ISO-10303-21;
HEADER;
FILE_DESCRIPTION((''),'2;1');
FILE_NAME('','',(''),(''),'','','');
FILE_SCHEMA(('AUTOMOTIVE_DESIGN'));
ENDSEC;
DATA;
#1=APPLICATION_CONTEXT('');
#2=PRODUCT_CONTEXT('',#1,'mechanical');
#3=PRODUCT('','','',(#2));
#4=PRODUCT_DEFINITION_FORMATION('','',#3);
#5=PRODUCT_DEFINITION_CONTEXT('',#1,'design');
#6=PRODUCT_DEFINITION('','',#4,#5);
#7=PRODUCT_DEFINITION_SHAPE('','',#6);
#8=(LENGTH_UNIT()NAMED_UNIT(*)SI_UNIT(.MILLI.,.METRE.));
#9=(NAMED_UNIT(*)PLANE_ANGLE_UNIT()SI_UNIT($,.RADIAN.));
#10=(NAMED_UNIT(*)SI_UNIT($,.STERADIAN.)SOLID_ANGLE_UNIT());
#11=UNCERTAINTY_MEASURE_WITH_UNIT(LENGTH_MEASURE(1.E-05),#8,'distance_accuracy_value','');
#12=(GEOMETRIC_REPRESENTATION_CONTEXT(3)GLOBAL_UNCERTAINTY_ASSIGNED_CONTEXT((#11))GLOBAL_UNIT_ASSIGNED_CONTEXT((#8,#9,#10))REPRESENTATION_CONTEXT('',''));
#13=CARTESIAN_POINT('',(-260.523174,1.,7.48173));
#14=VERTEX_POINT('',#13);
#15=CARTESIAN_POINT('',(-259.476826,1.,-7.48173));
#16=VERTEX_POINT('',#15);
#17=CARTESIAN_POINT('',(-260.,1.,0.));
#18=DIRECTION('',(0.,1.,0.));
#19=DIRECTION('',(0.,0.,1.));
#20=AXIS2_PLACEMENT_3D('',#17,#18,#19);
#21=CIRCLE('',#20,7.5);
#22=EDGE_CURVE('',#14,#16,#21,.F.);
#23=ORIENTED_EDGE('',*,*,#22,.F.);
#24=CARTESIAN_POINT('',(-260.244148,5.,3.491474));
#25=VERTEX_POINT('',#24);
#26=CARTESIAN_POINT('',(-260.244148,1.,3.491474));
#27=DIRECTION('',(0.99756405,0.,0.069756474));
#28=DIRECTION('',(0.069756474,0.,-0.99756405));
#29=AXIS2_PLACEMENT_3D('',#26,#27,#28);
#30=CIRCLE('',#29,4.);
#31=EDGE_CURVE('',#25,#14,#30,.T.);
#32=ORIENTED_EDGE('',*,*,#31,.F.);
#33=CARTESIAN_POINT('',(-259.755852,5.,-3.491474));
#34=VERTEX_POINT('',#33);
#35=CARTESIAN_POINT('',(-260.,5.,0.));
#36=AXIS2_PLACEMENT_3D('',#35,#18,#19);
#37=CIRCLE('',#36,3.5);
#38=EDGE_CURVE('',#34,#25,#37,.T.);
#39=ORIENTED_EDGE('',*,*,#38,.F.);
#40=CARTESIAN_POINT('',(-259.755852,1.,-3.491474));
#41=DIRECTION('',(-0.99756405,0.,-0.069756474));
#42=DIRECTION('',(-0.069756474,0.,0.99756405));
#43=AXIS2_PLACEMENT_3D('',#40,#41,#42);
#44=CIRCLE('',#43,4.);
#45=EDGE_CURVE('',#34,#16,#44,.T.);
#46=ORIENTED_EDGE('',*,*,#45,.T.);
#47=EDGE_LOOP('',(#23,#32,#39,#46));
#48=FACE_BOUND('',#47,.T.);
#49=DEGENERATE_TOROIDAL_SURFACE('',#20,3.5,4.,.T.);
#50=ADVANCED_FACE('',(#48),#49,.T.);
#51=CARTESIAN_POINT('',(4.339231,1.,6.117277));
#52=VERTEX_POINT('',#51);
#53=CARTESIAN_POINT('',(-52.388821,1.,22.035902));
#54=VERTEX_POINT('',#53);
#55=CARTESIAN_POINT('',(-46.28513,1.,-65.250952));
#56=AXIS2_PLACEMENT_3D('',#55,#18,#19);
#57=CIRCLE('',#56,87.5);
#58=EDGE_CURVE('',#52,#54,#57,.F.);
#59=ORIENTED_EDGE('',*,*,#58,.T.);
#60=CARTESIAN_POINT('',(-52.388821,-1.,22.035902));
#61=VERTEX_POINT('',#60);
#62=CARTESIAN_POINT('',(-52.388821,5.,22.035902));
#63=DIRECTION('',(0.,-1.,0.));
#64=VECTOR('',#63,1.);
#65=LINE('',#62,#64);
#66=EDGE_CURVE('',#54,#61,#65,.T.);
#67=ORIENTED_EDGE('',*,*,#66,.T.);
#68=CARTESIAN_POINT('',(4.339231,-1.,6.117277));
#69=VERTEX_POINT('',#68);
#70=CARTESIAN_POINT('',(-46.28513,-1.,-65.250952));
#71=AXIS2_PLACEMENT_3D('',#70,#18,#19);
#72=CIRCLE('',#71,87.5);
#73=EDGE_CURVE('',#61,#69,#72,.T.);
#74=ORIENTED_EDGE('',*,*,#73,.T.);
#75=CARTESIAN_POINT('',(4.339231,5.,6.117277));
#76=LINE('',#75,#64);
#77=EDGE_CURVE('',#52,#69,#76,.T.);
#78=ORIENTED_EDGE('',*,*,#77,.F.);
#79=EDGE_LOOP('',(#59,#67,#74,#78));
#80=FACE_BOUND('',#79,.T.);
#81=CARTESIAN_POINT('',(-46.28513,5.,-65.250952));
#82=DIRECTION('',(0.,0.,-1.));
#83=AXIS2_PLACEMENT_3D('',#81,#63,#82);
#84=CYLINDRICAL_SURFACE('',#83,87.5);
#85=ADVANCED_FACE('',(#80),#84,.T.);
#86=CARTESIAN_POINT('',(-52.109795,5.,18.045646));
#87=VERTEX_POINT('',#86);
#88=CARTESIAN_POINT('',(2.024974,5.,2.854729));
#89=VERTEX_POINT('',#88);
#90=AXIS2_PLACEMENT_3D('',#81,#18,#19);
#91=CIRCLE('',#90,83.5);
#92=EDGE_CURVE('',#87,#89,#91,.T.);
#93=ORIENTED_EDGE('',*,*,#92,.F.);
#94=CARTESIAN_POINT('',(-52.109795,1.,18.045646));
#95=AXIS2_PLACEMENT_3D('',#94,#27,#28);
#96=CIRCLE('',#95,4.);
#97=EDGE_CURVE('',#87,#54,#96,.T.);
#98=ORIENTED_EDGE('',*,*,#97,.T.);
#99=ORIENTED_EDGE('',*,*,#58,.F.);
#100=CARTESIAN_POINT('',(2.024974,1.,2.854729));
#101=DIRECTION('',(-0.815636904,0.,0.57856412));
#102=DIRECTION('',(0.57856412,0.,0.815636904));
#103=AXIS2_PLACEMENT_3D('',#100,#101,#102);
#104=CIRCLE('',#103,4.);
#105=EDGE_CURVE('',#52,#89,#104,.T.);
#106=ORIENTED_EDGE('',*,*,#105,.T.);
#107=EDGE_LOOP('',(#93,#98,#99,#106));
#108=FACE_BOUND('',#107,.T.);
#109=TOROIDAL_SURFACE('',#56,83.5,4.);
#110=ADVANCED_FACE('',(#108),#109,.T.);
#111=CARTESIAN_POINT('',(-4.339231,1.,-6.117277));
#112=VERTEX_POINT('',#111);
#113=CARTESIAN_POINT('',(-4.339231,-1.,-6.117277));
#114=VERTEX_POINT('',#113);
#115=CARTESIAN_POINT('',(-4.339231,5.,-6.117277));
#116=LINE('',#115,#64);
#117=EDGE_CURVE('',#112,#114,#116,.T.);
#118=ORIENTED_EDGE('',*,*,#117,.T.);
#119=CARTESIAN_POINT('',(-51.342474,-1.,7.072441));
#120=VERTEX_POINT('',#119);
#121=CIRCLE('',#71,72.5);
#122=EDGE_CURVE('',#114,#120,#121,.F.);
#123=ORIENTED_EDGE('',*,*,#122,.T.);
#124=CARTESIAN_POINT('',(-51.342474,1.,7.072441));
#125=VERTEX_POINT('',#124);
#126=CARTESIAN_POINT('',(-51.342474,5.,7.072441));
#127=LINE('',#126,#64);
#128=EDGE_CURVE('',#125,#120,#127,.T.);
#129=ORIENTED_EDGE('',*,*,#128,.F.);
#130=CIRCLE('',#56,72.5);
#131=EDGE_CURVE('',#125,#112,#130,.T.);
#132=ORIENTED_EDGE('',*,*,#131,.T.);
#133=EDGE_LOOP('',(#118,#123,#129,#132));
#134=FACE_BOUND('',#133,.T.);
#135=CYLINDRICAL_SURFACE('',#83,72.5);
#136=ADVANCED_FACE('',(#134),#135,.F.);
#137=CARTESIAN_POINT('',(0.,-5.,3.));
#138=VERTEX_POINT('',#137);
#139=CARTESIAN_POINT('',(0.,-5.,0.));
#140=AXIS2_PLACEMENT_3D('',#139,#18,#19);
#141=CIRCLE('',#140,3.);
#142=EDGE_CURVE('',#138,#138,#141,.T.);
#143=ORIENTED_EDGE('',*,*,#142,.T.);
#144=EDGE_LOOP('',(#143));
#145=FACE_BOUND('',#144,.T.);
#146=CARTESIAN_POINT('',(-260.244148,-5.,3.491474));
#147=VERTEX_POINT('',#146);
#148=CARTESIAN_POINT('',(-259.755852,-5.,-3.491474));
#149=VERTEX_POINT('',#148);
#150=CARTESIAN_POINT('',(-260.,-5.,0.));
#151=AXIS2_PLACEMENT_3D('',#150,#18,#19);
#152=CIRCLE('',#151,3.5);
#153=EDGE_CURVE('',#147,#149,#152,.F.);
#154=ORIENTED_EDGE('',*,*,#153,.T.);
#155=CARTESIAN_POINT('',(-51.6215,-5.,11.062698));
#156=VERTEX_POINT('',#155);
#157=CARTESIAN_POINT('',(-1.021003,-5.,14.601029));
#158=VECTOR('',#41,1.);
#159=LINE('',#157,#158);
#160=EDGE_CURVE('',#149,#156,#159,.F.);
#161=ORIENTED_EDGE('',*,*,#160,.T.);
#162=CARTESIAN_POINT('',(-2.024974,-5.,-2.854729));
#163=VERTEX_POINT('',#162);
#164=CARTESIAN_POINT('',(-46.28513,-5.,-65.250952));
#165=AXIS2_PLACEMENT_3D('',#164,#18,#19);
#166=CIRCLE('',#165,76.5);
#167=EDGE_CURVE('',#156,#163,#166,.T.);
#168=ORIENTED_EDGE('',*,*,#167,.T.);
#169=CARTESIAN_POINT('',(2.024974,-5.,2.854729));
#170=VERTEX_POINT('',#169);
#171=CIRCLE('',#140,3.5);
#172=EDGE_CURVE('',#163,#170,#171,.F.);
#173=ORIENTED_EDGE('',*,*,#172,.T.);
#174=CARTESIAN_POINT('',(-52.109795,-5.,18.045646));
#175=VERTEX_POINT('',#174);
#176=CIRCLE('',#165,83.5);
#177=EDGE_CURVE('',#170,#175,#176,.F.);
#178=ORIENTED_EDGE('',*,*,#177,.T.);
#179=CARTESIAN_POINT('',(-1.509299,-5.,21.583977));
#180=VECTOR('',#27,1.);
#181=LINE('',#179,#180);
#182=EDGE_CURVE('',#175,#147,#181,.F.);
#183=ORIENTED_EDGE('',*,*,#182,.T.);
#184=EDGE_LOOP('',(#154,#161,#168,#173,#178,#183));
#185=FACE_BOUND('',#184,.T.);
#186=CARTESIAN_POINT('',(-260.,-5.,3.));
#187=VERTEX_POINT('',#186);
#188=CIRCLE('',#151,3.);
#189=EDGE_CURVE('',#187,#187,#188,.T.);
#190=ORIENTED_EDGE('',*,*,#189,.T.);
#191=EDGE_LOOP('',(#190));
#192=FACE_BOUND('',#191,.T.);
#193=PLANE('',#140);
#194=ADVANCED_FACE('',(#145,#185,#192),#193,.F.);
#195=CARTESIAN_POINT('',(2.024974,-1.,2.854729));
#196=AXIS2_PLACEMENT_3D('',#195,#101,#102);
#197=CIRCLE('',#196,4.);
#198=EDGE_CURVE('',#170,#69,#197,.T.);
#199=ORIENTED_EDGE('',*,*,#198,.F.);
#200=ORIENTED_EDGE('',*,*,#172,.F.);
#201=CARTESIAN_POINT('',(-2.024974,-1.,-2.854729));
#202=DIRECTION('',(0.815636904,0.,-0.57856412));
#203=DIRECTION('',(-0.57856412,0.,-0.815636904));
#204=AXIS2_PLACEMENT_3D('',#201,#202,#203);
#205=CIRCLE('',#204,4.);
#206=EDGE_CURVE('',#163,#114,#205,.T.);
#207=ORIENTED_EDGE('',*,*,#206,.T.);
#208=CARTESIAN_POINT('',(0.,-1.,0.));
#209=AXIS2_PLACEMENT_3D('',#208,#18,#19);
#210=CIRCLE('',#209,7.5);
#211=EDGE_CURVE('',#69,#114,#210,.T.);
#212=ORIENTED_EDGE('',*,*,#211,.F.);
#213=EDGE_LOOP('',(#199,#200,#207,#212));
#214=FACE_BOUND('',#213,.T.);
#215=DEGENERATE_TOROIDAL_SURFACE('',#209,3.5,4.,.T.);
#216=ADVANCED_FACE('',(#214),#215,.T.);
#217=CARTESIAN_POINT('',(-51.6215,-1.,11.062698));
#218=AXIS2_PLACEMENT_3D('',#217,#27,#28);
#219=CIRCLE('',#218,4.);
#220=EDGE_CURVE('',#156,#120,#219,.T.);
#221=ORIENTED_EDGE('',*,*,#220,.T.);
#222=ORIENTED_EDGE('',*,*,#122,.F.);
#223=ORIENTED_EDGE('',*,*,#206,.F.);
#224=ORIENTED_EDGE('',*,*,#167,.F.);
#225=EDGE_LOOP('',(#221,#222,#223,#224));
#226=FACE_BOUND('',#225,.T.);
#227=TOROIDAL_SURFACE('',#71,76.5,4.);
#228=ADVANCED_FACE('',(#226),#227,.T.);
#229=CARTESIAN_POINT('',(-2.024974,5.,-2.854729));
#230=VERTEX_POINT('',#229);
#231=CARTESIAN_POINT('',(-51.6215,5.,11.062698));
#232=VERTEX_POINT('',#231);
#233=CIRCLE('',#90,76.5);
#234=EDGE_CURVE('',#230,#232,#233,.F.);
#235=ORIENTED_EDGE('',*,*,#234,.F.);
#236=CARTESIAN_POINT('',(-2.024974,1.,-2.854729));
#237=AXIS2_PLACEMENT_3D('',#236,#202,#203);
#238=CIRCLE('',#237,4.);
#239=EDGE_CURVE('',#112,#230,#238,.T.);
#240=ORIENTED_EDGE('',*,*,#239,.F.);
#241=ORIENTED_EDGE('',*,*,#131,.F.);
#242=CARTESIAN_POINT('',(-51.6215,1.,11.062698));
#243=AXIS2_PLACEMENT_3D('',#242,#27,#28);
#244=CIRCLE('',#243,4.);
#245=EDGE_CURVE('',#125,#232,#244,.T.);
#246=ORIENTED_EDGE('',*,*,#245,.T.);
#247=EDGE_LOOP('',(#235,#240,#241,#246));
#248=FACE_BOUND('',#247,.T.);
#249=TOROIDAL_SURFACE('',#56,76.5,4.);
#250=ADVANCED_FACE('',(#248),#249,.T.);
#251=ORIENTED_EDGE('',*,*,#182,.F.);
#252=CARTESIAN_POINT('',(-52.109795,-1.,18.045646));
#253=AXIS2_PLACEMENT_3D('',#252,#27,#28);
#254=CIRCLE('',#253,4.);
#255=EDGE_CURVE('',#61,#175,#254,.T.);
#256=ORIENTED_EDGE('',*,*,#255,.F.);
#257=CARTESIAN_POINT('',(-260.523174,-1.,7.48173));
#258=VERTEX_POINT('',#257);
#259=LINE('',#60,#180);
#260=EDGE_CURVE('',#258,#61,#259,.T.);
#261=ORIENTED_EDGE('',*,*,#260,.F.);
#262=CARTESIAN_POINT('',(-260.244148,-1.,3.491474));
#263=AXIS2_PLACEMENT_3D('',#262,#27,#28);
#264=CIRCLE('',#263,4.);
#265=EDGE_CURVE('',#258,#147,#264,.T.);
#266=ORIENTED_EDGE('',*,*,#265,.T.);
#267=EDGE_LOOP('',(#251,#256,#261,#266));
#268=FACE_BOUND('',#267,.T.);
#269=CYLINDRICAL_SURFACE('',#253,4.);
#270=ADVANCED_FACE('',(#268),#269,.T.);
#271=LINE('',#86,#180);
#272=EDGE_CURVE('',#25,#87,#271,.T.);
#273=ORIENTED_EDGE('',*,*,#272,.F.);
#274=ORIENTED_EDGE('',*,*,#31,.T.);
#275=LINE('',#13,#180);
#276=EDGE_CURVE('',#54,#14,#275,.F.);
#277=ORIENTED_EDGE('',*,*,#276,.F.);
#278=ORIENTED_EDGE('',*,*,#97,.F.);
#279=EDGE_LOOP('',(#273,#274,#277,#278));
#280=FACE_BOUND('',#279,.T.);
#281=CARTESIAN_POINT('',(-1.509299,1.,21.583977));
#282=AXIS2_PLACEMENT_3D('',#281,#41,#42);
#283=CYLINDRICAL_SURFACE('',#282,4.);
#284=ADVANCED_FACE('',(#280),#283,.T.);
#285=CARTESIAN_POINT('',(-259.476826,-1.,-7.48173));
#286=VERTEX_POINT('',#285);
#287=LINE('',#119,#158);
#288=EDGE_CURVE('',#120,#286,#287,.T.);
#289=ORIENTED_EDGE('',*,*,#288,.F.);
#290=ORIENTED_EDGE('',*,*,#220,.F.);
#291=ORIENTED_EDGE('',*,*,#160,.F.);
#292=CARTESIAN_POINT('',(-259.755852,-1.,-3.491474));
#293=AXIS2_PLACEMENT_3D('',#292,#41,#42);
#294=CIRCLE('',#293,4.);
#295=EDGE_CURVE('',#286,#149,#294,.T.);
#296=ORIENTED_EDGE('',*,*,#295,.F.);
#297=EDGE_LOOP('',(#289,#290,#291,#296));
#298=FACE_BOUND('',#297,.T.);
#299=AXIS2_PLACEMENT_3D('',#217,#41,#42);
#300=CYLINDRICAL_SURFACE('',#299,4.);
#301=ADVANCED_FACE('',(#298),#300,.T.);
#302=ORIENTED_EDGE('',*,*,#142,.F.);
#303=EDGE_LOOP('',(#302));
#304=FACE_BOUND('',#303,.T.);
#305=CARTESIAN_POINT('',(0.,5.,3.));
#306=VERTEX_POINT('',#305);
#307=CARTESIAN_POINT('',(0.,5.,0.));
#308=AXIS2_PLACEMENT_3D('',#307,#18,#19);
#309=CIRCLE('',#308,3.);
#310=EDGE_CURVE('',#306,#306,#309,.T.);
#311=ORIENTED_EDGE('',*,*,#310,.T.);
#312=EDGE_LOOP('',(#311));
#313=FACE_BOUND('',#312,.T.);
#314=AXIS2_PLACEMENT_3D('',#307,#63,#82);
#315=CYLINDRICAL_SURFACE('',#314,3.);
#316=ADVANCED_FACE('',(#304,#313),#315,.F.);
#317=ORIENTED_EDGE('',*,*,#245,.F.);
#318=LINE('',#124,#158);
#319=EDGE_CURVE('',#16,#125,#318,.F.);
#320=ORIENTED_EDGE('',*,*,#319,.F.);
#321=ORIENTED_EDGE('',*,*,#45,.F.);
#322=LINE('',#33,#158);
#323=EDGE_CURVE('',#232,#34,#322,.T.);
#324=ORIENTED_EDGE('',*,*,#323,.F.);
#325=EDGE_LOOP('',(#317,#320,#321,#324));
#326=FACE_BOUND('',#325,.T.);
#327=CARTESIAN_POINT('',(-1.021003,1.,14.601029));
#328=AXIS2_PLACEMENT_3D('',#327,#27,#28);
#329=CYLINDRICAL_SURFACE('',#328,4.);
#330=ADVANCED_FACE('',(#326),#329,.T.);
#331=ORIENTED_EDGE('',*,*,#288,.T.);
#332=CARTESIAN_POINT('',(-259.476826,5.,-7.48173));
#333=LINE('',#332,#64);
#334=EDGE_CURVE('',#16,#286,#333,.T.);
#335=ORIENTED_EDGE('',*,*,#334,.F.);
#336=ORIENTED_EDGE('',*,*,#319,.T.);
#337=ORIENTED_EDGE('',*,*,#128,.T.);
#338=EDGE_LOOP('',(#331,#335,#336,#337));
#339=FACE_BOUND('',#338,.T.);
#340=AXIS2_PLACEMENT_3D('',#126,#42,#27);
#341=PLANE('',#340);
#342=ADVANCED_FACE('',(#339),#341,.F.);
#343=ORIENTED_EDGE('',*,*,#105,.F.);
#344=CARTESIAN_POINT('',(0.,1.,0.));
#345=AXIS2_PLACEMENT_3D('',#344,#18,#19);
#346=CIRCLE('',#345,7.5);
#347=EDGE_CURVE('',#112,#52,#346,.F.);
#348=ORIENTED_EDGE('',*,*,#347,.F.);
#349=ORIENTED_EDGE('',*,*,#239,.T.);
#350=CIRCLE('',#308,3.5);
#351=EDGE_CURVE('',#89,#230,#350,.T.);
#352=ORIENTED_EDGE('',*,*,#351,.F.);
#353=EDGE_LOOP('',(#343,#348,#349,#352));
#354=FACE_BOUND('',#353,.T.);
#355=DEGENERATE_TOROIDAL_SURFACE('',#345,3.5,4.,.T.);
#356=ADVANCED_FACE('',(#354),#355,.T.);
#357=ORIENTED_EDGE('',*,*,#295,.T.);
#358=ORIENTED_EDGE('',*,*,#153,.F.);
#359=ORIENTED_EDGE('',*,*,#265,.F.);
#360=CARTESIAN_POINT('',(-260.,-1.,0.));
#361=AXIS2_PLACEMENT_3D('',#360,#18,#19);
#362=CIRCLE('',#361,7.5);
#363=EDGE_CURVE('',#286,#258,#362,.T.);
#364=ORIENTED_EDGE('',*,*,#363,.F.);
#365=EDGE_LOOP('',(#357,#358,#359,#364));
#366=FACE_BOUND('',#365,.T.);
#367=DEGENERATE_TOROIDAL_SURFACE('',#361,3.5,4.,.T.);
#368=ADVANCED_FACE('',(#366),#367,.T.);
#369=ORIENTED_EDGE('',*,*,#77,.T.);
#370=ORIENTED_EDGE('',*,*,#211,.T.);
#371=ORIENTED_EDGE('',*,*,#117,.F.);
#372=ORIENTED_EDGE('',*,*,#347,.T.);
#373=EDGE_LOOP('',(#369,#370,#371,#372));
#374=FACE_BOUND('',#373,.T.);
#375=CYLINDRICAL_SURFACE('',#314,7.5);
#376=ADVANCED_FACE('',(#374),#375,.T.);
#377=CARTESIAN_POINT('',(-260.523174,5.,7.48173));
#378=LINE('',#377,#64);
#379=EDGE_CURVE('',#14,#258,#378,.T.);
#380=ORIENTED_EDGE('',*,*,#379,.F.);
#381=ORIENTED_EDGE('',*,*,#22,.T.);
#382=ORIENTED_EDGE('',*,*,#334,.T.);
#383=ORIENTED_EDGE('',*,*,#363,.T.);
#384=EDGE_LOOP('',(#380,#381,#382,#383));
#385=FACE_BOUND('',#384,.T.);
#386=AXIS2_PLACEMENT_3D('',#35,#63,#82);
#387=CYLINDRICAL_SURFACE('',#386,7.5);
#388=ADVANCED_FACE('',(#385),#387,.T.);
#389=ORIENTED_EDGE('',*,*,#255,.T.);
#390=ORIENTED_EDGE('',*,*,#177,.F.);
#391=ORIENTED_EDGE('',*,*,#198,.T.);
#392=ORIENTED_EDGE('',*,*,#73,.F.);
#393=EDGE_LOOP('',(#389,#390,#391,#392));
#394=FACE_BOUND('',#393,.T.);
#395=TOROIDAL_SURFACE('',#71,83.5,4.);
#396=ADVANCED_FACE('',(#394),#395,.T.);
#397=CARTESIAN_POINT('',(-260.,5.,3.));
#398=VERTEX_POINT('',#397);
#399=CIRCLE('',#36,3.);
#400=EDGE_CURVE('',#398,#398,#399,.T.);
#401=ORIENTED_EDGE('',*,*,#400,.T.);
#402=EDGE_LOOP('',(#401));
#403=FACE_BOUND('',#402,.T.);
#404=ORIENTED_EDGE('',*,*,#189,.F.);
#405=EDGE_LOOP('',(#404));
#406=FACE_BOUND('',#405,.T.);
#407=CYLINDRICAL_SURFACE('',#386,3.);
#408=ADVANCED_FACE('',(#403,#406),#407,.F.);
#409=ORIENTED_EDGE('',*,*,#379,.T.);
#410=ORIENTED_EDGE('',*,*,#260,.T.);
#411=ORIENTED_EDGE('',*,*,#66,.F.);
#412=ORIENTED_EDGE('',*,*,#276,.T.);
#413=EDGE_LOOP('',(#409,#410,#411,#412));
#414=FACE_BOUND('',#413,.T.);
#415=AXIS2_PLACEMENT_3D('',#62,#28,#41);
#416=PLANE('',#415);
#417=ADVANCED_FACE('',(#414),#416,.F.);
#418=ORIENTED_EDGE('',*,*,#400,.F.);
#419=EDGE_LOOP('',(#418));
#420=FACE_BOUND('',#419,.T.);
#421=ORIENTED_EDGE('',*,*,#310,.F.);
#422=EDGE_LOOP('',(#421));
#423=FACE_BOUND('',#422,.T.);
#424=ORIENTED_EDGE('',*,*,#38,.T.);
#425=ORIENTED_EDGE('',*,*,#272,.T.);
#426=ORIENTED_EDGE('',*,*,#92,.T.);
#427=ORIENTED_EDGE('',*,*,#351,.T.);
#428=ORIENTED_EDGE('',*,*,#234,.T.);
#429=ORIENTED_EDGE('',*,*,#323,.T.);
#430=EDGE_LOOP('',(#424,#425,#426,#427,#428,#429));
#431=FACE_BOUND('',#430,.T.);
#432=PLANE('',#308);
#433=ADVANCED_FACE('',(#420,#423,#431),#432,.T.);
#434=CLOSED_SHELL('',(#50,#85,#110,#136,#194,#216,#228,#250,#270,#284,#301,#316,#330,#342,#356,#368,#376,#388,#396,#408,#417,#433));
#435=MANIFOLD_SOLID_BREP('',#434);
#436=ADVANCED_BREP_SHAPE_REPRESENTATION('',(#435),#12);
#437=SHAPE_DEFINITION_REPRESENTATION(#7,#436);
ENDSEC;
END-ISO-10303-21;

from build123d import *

# Parameters (mm, degrees)
CROQUIS1_R              = 3
SALIENTE_EXTRUIR1_DEPTH = 5
REDONDEO7_R             = 4


with BuildPart() as part:
    # Croquis1 → Saliente-Extruir1 (new, symmetric)
    with BuildSketch(Plane(origin=(0, 0, 0), x_dir=(-1, 0, 0), z_dir=(0, 1, 0))):
        with BuildLine():
            Line((52.388821078, 22.035902101), (260.523173553, 7.481730377))
            ThreePointArc((260.523173553, 7.481730377), (267.481730377, -0.523173553), (259.476826447, -7.481730377))
            Line((259.476826447, -7.481730377), (51.342473972, 7.072441348))
            ThreePointArc((51.342473972, 7.072441348), (26.697288319, 4.552818898), (4.339230902, -6.117276778))
            ThreePointArc((4.339230902, -6.117276778), (-6.117276778, -4.339230902), (-4.339230902, 6.117276778))
            ThreePointArc((-4.339230902, 6.117276778), (22.644631497, 18.994978455), (52.388821078, 22.035902101))
        make_face()
        with Locations(Location((0, 0, 0), (0, 0, 90))):
            Circle(CROQUIS1_R, mode=Mode.SUBTRACT)
        with Locations(Location((260, 0, 0), (0, 0, 90))):
            Circle(CROQUIS1_R, mode=Mode.SUBTRACT)
    extrude(amount=SALIENTE_EXTRUIR1_DEPTH, both=True)

    # Redondeo7
    redondeo7_edges = [part.edges().sort_by_distance(p)[0] for p in [
        (-155.409650209, 5, -0.204644515),
        (-267.481730377, 5, -0.523173553),
        (-156.455997315, 5, 14.758816239),
        (-22.644631497, 5, 18.994978455),
        (6.117276778, 5, -4.339230902),
        (-22.644631497, -5, 18.994978455),
        (-156.455997315, -5, 14.758816239),
        (-267.481730377, -5, -0.523173553),
        (-155.409650209, -5, -0.204644515),
        (-26.697288319, -5, 4.552818898),
        (6.117276778, -5, -4.339230902),
        (-26.697288319, 5, 4.552818898),
    ]]
    fillet(redondeo7_edges, radius=REDONDEO7_R)


solid = part.part
